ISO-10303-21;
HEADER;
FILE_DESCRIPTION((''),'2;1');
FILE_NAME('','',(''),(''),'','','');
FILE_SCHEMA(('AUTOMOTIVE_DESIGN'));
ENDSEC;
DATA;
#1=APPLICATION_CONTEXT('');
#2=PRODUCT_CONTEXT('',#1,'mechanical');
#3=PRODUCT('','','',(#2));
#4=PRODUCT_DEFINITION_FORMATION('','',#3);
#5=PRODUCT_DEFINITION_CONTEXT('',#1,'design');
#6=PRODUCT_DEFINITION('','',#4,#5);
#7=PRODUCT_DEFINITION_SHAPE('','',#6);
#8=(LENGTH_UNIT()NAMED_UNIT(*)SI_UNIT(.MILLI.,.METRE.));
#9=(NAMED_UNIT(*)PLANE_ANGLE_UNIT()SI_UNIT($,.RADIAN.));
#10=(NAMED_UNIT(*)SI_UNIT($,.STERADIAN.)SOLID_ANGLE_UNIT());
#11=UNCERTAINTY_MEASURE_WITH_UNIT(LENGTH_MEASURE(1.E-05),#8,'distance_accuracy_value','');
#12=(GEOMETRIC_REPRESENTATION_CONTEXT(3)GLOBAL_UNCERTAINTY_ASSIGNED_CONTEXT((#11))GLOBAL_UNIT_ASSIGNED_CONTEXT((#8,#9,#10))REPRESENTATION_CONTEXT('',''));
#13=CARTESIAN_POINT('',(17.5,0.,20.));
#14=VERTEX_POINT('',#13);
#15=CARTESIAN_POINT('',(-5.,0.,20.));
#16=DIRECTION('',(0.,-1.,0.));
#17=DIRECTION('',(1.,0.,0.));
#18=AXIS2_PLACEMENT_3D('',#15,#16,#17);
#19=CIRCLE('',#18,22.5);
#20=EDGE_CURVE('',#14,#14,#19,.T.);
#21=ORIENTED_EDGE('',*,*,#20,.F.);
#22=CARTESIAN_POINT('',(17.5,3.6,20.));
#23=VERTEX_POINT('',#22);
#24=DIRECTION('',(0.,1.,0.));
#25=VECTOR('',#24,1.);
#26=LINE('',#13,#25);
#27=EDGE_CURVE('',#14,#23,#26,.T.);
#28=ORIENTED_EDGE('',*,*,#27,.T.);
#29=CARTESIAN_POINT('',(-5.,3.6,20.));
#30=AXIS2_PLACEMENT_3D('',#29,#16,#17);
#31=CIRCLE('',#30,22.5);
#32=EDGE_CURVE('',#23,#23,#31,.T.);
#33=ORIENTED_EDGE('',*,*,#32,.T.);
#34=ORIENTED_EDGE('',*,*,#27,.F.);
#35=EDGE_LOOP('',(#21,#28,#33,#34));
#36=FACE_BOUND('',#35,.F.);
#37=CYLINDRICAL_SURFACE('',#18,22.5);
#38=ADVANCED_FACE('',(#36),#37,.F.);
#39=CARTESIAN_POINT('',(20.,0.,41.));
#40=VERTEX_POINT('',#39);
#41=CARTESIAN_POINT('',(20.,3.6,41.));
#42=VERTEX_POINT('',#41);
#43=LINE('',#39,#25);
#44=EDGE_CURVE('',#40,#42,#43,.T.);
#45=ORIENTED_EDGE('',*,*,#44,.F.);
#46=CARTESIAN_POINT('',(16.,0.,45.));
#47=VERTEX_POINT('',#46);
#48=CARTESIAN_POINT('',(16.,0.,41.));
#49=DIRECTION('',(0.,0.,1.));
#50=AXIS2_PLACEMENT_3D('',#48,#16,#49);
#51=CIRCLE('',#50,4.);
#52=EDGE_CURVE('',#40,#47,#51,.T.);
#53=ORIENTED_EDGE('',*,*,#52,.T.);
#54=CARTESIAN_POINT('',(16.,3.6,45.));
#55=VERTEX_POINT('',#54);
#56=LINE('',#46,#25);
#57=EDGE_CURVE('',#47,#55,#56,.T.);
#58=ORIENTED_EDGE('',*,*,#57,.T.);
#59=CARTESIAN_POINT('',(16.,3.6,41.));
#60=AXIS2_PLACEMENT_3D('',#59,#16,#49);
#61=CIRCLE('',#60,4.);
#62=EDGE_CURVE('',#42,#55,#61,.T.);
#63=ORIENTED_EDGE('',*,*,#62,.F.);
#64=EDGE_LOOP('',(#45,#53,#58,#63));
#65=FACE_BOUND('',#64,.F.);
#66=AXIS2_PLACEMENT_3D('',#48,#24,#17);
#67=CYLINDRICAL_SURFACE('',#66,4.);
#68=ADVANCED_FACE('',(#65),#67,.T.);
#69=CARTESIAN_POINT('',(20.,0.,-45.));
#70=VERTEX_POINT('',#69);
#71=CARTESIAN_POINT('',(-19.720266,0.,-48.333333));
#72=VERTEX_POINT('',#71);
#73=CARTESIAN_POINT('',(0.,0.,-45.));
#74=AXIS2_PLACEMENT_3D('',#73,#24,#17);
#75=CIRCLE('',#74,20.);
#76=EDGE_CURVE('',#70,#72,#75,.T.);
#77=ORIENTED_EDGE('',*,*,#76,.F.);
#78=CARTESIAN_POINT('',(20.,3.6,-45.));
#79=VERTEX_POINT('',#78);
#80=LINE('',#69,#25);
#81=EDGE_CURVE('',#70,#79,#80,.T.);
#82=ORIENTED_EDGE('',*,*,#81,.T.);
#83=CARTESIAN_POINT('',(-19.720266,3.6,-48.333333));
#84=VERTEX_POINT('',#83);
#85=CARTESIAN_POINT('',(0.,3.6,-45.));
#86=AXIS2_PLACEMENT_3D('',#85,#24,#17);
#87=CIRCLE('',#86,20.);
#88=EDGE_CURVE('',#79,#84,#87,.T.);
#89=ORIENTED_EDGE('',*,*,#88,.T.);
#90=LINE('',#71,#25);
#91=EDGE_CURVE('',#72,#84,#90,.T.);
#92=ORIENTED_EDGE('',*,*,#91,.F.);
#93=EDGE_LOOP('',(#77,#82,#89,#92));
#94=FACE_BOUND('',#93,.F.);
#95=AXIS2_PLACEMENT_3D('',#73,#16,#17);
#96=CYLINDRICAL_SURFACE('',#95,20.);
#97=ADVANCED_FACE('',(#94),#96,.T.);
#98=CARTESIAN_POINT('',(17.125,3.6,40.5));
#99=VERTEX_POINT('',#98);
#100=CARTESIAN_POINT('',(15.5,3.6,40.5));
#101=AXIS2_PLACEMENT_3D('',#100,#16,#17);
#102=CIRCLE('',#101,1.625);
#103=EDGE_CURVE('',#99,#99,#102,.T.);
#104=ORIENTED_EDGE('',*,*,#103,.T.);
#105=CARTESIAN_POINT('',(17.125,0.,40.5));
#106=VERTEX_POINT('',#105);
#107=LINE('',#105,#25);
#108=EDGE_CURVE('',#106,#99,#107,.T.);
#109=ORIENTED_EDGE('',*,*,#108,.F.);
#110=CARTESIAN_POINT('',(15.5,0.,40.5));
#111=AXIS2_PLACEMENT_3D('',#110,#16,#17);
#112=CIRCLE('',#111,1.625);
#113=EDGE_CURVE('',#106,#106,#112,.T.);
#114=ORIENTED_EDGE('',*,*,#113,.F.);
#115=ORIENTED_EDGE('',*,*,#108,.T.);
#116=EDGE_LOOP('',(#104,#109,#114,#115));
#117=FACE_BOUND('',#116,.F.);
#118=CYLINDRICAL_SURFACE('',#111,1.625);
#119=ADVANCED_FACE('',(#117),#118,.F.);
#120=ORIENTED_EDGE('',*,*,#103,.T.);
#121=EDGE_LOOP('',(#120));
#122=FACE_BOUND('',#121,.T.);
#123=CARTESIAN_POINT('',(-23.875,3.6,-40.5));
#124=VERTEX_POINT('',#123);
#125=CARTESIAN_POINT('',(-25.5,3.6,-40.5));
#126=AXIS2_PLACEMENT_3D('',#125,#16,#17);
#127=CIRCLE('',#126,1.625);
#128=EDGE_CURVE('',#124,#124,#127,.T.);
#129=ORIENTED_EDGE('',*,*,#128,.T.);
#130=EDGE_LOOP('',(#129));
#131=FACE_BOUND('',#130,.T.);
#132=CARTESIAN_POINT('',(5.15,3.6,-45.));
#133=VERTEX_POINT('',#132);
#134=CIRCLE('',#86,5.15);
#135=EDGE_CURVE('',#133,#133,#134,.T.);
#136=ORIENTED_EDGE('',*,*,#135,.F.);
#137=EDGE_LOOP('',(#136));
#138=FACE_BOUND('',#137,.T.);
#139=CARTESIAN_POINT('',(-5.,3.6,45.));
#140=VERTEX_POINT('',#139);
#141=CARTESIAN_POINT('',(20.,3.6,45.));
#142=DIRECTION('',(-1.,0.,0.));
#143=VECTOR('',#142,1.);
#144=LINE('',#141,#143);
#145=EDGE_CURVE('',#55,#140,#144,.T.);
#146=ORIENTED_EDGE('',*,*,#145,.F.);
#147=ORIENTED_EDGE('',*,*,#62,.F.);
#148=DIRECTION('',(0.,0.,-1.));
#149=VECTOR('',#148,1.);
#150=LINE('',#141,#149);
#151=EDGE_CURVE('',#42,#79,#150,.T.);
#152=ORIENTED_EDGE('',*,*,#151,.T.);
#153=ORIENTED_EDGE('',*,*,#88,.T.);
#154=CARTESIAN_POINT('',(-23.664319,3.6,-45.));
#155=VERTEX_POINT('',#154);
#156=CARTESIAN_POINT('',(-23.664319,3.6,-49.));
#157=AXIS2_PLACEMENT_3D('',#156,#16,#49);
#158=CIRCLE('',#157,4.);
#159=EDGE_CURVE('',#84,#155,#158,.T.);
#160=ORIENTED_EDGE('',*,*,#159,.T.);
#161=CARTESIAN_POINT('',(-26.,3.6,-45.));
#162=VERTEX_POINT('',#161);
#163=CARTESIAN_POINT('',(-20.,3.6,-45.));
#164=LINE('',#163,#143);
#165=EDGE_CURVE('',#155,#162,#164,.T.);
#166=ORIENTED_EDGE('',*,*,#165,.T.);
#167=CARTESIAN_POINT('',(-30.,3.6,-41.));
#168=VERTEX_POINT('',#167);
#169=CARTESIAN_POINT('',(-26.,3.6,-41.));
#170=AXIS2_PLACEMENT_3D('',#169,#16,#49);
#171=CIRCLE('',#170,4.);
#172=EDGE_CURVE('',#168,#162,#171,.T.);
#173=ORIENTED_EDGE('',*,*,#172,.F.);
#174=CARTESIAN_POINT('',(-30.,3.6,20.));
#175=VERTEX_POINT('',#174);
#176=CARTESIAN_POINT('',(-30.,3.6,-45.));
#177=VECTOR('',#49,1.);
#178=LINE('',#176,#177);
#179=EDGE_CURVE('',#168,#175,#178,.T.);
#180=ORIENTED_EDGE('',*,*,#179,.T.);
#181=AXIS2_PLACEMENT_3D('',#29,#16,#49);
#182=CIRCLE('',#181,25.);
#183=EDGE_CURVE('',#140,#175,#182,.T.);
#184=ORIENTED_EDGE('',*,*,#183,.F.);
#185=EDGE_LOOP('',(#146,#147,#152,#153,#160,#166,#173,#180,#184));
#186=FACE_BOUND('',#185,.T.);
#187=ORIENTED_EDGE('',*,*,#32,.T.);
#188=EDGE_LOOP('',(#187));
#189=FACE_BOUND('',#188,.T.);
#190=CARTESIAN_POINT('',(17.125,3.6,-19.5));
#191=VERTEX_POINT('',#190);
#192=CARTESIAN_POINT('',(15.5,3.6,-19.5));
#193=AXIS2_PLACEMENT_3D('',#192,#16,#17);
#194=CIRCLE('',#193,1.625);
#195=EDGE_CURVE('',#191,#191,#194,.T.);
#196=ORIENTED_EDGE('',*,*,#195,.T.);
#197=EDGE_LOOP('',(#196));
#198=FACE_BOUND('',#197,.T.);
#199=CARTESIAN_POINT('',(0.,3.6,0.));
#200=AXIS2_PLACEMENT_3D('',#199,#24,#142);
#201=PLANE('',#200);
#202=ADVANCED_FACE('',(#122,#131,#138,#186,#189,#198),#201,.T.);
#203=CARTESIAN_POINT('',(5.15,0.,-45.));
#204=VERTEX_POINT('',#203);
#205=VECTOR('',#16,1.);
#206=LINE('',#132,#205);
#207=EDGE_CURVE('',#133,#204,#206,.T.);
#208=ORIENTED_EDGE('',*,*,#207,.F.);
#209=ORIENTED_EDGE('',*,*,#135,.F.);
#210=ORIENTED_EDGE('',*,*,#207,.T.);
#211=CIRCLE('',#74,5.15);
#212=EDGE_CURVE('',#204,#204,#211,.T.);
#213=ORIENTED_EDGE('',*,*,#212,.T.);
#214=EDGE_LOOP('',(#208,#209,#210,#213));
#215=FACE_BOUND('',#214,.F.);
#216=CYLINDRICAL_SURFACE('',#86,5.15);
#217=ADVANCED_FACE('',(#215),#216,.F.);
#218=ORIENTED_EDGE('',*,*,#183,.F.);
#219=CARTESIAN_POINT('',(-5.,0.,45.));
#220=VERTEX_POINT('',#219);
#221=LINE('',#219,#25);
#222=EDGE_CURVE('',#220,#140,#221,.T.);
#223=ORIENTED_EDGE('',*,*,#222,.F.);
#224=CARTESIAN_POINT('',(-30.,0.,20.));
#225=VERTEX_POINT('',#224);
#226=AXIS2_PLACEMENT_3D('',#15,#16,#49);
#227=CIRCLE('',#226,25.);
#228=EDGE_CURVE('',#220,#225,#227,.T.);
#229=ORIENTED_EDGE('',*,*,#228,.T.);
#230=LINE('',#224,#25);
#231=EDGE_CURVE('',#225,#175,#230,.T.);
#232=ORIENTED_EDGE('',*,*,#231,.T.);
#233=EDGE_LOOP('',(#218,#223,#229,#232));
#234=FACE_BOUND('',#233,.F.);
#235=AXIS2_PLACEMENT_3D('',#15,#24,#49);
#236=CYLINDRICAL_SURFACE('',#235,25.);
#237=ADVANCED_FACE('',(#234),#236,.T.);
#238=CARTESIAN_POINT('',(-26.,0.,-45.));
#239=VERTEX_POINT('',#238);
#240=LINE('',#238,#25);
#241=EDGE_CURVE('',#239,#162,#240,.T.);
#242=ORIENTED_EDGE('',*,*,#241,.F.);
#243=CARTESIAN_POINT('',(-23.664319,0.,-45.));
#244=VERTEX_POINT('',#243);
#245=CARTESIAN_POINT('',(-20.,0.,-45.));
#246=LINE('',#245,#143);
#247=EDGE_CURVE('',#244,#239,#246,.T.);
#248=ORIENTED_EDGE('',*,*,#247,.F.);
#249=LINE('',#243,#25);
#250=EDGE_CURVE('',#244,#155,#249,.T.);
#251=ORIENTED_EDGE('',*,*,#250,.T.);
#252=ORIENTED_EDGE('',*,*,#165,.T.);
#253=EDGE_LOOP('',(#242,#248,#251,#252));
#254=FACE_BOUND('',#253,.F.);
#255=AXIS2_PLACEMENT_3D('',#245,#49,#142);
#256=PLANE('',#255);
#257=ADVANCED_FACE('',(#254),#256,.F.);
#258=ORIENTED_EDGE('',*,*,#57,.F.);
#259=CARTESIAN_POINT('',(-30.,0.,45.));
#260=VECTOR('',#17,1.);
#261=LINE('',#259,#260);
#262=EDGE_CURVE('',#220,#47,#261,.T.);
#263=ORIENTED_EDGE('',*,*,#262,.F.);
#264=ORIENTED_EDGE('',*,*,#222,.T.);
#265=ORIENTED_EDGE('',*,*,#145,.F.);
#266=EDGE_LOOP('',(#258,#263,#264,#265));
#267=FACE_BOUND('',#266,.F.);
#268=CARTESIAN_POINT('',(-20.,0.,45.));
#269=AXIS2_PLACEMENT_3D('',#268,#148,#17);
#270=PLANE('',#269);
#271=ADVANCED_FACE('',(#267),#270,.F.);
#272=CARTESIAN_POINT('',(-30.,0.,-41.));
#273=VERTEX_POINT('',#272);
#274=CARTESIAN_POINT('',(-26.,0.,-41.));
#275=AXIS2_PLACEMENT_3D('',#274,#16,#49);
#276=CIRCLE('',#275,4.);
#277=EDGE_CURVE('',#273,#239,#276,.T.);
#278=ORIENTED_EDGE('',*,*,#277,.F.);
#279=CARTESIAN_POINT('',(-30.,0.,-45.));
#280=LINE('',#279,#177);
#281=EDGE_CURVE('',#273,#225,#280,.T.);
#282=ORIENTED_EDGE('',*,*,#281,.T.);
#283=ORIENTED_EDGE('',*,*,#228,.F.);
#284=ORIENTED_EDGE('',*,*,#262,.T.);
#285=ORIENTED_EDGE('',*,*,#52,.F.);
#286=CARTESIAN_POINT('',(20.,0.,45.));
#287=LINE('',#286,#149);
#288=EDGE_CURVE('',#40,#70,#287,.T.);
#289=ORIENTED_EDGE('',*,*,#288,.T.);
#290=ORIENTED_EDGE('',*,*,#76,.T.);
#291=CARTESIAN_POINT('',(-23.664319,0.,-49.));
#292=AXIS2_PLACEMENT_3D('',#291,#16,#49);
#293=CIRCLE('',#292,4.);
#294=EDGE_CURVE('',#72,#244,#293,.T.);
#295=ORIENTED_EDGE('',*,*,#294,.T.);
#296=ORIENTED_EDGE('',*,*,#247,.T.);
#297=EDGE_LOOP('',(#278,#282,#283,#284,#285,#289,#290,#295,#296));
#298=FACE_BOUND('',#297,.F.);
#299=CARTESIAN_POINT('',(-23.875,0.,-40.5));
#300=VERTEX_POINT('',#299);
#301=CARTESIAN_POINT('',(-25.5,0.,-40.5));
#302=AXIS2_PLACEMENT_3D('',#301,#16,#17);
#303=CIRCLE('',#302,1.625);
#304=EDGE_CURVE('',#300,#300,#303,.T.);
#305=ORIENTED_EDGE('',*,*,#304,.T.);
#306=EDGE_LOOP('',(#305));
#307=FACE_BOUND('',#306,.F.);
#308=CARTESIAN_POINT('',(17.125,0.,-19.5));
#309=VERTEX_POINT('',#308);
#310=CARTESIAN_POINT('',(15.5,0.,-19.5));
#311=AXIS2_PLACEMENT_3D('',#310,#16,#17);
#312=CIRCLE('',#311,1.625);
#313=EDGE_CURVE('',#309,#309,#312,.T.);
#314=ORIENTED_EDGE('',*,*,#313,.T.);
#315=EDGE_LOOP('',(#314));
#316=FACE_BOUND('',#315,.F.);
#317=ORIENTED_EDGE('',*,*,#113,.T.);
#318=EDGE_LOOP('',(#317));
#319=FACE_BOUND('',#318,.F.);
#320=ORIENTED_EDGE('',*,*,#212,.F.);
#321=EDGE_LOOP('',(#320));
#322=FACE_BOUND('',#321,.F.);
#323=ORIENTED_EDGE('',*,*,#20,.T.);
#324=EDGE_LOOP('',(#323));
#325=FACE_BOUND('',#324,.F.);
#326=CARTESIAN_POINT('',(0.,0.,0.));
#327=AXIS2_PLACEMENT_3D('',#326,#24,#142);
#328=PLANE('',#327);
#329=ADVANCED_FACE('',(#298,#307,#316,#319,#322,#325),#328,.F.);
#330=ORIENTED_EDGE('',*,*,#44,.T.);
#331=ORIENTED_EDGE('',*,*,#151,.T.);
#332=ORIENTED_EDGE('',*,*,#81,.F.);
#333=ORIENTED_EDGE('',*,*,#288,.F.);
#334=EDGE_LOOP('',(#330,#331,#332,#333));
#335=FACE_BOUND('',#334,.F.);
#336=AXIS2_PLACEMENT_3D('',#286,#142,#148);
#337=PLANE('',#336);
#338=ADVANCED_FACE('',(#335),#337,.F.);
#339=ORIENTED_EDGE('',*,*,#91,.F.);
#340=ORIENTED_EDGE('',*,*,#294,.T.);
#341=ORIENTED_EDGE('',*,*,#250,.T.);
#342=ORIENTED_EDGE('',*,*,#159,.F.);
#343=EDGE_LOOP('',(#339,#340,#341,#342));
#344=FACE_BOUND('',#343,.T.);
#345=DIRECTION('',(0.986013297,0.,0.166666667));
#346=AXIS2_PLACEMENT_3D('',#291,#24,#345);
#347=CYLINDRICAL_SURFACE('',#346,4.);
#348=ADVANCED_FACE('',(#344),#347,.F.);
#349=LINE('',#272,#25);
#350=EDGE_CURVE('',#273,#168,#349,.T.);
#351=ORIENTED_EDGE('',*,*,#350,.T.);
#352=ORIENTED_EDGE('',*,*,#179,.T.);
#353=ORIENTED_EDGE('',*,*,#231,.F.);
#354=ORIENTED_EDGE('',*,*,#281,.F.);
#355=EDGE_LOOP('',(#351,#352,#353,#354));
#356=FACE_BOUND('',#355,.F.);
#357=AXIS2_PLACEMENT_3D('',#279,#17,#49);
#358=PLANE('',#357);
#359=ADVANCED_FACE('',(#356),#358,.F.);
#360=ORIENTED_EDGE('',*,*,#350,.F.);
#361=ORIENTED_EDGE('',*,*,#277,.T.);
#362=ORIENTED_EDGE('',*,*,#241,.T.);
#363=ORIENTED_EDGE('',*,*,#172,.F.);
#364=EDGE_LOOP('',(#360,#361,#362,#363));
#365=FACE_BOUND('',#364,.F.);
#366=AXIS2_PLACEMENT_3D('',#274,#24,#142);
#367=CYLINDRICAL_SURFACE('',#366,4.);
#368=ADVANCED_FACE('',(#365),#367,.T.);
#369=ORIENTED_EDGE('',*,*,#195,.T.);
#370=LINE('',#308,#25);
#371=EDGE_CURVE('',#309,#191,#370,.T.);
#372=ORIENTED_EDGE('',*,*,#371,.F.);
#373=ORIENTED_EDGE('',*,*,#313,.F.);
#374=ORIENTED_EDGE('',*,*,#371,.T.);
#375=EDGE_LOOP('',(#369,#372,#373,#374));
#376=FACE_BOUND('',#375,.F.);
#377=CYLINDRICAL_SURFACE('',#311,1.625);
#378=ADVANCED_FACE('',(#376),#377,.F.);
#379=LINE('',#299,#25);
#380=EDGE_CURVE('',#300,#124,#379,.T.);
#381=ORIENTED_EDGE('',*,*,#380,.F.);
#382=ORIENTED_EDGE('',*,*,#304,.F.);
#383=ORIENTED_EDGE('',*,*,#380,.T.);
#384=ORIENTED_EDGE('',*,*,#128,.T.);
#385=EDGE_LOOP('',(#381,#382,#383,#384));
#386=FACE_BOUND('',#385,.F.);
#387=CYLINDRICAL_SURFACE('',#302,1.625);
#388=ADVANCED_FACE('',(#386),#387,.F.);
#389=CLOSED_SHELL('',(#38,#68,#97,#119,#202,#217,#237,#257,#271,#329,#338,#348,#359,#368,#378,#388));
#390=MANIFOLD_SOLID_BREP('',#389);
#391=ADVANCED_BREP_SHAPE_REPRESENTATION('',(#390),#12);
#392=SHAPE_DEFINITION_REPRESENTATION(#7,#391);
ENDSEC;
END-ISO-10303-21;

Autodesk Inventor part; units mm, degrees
ref_plane "YZ Plane" through (0, 0, 0) normal (1, 0, 0) x (0, 1, 0)
ref_plane "XZ Plane" through (0, 0, 0) normal (0, 1, 0) x (-1, 0, 0)
ref_plane "XY Plane" through (0, 0, 0) normal (0, 0, 1) x (1, 0, 0)
sketch "Sketch1" plane through (0, 0, 0) normal (0, 1, 0) x (-1, 0, 0)
  line L0 (20, 45) -> (-20, 45)
  line L1 (-20, 45) -> (-20, -45)
  line L2 (-20, -45) -> (20, -45)
  line L3 (20, -45) -> (20, 45)
  line L4 (20, 45) -> (-20, -45) construction
  line L5 (-20, 45) -> (20, -45) construction
  arc A0 (-20, -45) -> (20, -45) centre (0, -45) ccw
  line L6 (20, -45) -> (30, -45)
  line L7 (30, -45) -> (30, 45)
  line L8 (30, 45) -> (20, 45)
  line L9 (20, 45) -> (20, -45)
  point P0 (0, 0)
  dimension "d0" = 40
  dimension "d1" = 90
  dimension "d7" = 10
  dimension "d8" = 90
extrude "Extrusion1" add sketch "Sketch1" along normal blind 3.6
sketch "Sketch2" plane through (0, 3.6, 0) normal (0, 1, 0) x (1, 0, 0)
  arc A0 (20, 45) -> (-20, 45) centre (0, 45) ccw projected
  circle A1 centre (0, 45) radius 5.15
  point P0 (0, 0)
  dimension "d4" = 10.3
extrude "Extrusion2" cut sketch "Sketch2" against normal blind 3.6
fillet "Fillet1" radius 4 3 edges at (-20, 1.8, -45) (-30, 1.8, -45) (20, 1.8, 45)
sketch "Sketch3" plane through (0, 0, 0) normal (0, -1, 0) x (1, 0, 0)
  circle A0 centre (-5, 20) radius 22.5
  line L0 (20, 41) -> (20, -45) projected
  line L1 (-30, 45) -> (16, 45) projected
  point P0 (0, 0)
  point P1 (-26, 45)
  dimension "d10" = 45
  dimension "d11" = 25
  dimension "d12" = 25
extrude "Extrusion3" cut sketch "Sketch3" against normal blind 10
sketch "Sketch4" plane through (0, 0, 0) normal (0, -1, 0) x (1, 0, 0)
  circle A0 centre (15.5, 40.5) radius 1.625
  circle A1 centre (-25.5, -40.5) radius 1.625
  circle A2 centre (15.5, -19.5) radius 1.625
  line L0 (-30, -41) -> (-30, 45) projected
  line L1 (-23.6643, -45) -> (-26, -45) projected
  line L2 (20, 41) -> (20, -45) projected
  line L3 (-30, 45) -> (16, 45) projected
  point P0 (0, 0)
  point P1 (-30, 41)
  point P2 (-26, 45)
  dimension "d15" = 3.25
  dimension "d17" = 3.25
  dimension "d18" = 3.25
  dimension "d19" = 4.5
  dimension "d20" = 4.5
  dimension "d21" = 4.5
  dimension "d23" = 4.5
  dimension "d24" = 4.5
  dimension "d27" = 60
extrude "Extrusion4" cut sketch "Sketch4" against normal blind 10
fillet "Fillet2" radius 25 1 edges at (-30, 1.8, 45)
properties part number "p1"
